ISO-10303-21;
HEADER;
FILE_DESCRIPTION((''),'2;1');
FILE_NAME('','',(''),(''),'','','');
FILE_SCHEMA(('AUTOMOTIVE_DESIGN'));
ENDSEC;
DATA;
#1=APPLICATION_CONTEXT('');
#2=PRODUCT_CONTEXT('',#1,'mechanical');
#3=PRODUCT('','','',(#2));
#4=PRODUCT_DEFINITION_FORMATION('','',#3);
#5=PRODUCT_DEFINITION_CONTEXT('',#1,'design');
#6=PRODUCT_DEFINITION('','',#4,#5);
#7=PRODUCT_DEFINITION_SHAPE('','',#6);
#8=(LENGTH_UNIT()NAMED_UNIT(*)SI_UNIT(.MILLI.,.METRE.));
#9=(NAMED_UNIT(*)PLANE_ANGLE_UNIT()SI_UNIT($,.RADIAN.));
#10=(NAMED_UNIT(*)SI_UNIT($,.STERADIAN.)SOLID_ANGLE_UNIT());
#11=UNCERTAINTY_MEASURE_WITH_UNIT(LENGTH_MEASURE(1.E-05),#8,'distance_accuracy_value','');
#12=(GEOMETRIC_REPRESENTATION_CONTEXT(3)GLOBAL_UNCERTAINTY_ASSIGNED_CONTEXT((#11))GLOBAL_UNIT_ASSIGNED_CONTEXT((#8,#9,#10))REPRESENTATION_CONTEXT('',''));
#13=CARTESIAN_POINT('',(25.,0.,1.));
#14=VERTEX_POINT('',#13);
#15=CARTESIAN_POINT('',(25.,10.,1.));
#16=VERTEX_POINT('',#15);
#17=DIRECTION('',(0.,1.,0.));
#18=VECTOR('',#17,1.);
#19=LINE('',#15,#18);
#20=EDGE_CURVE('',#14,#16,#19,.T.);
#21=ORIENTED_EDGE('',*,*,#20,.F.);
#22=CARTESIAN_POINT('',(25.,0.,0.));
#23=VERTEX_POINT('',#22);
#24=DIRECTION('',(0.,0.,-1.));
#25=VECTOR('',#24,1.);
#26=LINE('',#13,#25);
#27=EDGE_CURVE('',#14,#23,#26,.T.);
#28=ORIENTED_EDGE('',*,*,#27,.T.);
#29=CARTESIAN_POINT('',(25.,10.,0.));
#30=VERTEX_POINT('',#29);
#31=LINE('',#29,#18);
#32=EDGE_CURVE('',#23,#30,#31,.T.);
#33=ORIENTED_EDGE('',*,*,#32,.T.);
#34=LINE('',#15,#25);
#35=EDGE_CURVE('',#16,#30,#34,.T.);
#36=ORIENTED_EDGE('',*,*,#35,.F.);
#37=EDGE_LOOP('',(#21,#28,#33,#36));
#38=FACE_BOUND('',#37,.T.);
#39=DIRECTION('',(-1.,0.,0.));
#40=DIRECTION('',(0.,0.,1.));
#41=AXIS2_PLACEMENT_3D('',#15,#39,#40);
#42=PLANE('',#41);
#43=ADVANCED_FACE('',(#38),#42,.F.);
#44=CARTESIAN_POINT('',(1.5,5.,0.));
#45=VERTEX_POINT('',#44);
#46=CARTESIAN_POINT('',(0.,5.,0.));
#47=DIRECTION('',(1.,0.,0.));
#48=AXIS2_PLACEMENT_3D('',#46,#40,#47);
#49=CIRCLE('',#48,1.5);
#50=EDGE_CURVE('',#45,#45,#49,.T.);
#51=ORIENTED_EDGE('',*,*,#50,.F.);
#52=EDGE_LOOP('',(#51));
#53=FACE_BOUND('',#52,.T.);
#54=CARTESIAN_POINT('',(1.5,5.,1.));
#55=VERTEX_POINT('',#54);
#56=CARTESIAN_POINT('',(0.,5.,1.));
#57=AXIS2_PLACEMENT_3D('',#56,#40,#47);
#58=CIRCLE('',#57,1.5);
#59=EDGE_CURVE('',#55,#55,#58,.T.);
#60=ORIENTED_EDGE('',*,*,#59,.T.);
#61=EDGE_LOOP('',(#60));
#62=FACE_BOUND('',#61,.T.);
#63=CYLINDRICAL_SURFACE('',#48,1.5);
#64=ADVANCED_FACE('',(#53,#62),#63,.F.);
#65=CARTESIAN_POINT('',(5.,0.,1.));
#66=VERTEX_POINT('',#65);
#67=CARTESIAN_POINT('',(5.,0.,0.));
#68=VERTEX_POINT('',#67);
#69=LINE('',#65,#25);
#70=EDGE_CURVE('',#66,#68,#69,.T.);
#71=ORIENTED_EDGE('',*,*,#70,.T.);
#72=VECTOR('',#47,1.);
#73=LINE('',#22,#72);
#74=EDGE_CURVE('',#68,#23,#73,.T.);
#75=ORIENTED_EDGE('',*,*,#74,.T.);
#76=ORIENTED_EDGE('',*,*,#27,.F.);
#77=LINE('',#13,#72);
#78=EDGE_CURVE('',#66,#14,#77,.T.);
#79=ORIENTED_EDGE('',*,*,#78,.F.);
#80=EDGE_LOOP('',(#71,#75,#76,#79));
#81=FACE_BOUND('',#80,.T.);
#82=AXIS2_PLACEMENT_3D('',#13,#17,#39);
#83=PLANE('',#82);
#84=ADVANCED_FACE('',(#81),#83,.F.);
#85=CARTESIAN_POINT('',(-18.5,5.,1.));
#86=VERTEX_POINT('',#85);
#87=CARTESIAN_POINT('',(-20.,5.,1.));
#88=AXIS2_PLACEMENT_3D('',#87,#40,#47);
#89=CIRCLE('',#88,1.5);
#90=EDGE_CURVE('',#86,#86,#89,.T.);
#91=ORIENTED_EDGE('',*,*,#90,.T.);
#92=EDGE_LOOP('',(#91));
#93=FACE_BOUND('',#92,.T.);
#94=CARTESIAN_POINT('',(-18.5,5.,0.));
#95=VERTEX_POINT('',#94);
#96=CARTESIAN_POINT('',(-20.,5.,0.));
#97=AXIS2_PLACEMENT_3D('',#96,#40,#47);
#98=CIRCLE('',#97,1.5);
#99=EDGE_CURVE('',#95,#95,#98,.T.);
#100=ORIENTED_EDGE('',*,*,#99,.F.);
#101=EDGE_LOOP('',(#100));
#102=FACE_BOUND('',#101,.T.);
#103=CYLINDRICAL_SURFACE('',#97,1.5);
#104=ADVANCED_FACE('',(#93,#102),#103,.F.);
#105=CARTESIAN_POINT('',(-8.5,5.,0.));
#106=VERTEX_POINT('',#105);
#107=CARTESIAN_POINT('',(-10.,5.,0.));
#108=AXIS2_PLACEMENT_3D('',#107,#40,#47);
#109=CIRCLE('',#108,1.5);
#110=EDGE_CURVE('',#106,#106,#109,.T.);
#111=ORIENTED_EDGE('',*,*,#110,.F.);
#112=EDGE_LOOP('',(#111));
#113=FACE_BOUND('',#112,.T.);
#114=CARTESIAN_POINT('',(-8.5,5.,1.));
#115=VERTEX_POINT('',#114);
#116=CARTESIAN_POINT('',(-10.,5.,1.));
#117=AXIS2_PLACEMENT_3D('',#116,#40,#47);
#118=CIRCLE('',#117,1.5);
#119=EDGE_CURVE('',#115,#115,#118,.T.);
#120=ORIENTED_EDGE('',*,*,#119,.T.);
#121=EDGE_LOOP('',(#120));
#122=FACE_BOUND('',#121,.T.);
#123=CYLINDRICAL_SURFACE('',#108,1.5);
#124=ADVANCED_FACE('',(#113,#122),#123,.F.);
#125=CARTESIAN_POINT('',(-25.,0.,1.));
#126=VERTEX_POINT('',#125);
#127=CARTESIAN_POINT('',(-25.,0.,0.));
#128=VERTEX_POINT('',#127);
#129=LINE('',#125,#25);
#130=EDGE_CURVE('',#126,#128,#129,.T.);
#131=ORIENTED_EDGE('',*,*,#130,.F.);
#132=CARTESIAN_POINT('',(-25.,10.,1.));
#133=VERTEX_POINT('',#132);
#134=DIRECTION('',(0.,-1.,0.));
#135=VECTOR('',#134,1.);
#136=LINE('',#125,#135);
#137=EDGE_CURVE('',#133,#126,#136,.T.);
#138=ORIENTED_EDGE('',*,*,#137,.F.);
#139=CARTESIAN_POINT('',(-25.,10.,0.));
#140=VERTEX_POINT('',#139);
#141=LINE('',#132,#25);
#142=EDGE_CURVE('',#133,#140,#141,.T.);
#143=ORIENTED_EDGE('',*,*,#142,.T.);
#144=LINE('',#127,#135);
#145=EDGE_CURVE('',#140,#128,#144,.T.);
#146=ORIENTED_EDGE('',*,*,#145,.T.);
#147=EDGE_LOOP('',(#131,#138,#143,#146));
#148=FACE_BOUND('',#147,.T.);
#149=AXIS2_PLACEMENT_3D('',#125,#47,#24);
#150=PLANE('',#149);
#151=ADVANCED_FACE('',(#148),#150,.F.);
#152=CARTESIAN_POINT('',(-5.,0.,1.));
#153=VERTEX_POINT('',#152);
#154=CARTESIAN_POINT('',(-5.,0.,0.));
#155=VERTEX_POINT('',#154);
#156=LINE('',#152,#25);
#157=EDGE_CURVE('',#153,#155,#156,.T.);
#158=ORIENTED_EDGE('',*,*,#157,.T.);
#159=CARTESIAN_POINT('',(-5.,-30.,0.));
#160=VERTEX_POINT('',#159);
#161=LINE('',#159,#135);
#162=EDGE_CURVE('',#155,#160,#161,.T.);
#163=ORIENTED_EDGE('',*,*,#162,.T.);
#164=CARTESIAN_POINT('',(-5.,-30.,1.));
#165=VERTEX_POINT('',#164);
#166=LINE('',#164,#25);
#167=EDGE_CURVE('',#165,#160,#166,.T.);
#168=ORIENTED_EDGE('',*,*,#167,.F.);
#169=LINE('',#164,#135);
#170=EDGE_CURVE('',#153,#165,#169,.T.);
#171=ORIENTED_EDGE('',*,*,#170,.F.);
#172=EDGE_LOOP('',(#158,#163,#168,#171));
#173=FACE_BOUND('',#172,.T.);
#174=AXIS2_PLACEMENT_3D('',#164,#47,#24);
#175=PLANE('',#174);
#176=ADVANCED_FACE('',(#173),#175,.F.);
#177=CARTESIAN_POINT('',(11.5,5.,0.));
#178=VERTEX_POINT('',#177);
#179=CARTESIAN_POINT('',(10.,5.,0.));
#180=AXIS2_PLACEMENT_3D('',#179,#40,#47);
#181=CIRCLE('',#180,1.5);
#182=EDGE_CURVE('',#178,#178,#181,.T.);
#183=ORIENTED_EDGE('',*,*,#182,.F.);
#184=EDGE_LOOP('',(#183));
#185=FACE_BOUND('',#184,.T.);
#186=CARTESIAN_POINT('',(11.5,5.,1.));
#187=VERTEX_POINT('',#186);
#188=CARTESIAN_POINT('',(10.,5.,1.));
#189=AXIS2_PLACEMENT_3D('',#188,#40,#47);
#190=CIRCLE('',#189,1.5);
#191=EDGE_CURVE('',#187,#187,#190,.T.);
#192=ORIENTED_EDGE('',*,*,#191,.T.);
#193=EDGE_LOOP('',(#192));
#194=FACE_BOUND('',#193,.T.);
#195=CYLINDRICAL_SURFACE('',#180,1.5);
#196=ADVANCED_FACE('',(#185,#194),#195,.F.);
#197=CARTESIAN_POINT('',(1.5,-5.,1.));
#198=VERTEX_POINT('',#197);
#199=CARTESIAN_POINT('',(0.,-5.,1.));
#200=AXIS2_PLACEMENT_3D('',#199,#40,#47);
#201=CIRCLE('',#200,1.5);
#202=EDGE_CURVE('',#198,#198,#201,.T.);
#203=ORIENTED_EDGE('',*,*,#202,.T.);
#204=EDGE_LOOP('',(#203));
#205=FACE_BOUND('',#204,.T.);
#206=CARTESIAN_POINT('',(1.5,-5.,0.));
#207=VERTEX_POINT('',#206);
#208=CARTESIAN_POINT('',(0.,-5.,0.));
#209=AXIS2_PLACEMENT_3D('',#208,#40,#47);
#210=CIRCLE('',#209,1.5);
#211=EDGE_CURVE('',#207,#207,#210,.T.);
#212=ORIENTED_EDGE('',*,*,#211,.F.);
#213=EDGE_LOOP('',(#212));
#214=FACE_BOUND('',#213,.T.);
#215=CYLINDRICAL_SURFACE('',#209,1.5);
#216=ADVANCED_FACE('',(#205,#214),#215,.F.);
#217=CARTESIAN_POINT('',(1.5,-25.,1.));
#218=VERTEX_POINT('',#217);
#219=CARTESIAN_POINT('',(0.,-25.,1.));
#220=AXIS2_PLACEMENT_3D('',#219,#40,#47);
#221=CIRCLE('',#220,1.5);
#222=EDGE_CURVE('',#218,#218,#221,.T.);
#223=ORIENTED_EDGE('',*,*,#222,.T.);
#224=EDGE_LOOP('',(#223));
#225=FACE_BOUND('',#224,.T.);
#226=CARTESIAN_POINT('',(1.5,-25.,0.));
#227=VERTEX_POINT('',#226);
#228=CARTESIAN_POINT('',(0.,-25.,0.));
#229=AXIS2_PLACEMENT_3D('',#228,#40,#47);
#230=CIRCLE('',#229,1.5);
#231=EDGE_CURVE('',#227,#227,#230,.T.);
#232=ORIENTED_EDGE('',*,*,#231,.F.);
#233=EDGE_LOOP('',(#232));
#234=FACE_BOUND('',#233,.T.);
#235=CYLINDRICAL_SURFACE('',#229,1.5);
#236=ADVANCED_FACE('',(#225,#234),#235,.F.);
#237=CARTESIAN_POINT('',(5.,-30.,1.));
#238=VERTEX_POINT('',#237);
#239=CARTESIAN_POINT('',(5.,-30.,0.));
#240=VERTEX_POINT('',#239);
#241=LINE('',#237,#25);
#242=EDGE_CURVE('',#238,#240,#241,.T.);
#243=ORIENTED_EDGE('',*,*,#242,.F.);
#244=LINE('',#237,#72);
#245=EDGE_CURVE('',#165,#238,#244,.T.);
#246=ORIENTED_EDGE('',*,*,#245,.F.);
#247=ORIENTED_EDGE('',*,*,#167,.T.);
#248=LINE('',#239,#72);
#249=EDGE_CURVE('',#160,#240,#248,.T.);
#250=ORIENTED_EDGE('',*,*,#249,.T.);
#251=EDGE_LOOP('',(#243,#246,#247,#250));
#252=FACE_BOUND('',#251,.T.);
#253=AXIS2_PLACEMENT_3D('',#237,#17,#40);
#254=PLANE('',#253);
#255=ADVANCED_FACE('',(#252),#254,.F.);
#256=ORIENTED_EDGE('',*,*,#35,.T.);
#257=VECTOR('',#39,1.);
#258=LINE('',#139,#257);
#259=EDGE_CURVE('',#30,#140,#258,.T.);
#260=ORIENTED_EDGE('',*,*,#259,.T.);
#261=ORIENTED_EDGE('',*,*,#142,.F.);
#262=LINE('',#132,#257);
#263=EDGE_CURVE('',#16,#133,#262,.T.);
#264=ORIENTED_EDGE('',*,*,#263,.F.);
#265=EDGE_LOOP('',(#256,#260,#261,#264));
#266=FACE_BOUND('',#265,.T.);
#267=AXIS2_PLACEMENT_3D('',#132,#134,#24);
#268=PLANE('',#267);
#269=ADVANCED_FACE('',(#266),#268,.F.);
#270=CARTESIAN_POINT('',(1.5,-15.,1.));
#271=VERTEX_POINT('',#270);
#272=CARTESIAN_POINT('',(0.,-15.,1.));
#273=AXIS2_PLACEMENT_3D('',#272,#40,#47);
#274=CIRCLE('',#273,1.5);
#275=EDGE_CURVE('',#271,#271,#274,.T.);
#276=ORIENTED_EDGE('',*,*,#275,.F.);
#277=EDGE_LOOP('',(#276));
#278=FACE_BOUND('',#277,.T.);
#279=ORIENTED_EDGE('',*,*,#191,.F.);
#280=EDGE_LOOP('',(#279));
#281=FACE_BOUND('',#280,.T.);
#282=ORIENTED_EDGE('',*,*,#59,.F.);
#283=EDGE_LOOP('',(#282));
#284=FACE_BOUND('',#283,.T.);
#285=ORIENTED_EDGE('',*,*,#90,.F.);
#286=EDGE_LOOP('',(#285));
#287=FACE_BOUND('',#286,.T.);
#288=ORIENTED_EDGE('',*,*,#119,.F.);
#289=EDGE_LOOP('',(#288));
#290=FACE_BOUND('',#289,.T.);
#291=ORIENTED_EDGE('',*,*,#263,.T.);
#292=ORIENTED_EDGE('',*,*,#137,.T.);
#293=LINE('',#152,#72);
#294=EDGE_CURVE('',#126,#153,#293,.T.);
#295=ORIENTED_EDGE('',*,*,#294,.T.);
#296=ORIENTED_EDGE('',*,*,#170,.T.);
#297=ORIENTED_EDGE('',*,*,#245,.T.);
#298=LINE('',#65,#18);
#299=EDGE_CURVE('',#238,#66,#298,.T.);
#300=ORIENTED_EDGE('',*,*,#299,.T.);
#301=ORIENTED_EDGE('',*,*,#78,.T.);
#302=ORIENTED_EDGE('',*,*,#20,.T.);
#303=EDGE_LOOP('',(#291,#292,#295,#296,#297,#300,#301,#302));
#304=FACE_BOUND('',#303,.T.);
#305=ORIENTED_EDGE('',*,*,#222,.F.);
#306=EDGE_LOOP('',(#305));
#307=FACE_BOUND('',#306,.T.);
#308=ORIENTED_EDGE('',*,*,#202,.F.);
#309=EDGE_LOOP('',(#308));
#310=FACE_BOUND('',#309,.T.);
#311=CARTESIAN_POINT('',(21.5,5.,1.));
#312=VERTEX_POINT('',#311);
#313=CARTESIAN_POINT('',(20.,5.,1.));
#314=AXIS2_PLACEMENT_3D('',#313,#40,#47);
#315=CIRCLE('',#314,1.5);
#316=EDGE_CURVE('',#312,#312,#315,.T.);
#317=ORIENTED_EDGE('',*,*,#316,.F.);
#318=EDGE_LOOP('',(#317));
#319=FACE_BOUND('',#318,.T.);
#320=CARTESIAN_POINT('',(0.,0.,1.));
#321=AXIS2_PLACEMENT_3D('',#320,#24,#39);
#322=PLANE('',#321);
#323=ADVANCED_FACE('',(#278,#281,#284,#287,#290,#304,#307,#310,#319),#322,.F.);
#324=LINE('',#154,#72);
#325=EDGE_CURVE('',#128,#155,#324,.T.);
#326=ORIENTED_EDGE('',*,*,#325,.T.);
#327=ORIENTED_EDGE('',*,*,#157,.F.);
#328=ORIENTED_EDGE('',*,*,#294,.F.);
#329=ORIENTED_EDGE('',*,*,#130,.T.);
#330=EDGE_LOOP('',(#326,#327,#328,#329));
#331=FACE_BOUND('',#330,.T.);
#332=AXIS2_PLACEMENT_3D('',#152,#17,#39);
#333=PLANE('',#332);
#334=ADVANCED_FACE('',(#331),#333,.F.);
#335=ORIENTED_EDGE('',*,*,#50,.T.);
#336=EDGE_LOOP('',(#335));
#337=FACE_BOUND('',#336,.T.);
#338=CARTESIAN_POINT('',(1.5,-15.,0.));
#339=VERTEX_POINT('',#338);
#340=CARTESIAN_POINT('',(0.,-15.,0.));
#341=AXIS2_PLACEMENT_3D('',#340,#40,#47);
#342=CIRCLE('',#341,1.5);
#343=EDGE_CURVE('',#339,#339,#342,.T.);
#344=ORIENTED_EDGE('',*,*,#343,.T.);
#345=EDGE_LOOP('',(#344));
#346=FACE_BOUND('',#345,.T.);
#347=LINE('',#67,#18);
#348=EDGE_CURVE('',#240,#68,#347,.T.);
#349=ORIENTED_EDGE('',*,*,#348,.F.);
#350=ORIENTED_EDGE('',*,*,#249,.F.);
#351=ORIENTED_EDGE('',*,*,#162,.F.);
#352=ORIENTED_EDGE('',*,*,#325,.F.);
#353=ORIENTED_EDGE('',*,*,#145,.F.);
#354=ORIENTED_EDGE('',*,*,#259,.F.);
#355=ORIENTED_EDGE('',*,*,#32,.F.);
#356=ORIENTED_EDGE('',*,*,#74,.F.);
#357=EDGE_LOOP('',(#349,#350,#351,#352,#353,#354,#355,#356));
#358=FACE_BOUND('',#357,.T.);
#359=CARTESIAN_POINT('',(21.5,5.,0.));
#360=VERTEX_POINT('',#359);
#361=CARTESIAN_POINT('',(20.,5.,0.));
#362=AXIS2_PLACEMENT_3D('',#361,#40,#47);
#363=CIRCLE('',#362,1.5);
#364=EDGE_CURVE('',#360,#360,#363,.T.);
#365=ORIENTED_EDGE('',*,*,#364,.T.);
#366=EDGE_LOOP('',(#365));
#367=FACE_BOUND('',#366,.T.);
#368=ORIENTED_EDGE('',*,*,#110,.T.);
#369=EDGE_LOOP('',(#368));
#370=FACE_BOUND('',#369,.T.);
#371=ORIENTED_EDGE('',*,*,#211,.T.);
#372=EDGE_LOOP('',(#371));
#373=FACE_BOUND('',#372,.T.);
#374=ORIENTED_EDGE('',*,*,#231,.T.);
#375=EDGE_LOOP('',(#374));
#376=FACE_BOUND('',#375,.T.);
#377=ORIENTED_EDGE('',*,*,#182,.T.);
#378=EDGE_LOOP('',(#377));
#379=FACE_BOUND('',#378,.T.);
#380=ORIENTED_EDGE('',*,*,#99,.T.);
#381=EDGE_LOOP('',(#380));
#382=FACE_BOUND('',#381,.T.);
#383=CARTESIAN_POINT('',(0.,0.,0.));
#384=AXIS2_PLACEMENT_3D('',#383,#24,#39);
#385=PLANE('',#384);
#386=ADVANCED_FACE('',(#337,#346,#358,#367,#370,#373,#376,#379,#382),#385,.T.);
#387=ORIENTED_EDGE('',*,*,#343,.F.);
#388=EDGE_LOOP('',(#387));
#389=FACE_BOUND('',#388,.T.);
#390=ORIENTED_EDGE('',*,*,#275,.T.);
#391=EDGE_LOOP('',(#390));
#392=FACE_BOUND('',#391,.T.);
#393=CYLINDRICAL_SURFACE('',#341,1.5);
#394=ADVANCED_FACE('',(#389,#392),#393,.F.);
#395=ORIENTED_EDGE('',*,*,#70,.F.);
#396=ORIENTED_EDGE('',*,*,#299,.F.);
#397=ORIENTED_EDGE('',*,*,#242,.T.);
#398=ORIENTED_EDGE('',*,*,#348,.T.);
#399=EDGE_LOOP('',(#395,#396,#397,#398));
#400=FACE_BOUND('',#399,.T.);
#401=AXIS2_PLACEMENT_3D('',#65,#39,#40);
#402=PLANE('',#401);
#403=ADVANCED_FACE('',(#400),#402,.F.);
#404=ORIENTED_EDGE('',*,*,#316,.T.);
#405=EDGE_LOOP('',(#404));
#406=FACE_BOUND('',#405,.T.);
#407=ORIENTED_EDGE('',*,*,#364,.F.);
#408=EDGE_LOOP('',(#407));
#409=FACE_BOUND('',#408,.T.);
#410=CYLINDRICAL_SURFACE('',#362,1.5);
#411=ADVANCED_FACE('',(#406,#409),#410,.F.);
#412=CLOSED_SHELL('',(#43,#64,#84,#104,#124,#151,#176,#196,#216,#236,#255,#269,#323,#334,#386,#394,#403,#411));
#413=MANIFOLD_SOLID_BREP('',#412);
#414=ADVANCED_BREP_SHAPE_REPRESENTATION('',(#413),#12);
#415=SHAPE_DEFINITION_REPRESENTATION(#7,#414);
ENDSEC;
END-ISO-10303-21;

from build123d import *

# Parameters (mm, degrees)
BOSS_EXTRU_1_DEPTH         = 1
ESQUISSE2_R                = 1.5
ENL_V_MAT_EXTRU_1_DEPTH    = 2
R_P_TITION_LIN_AIRE1_COUNT = 3
R_P_TITION_LIN_AIRE1_PITCH = 10
R_P_TITION_LIN_AIRE2_COUNT = 3
R_P_TITION_LIN_AIRE2_PITCH = 10
R_P_TITION_LIN_AIRE3_COUNT = 4
R_P_TITION_LIN_AIRE3_PITCH = 10


with BuildPart() as part:
    # Esquisse1 → Boss.-Extru.1 (new body)
    with BuildSketch(Plane.XY):
        Polygon((-25, 10), (25, 10), (25, 0), (5, 0), (5, -30), (-5, -30), (-5, 0), (-25, 0), align=None)
    extrude(amount=BOSS_EXTRU_1_DEPTH)

    # Esquisse2 → Enlèv. mat.-Extru.1 (cut, through all)
    with BuildSketch(Plane.XY.offset(1)):
        with Locations((0, 5)):
            Circle(ESQUISSE2_R)
    enl_v_mat_extru_1 = extrude(amount=-ENL_V_MAT_EXTRU_1_DEPTH, mode=Mode.SUBTRACT)

    # Répétition linéaire1: Enlèv. mat.-Extru.1 ×3
    with Locations(*[(-i * R_P_TITION_LIN_AIRE1_PITCH, 0, 0) for i in range(1, R_P_TITION_LIN_AIRE1_COUNT)]):
        add(enl_v_mat_extru_1, mode=Mode.SUBTRACT)

    # Répétition linéaire2: Enlèv. mat.-Extru.1 ×3
    with Locations(*[(i * R_P_TITION_LIN_AIRE2_PITCH, 0, 0) for i in range(1, R_P_TITION_LIN_AIRE2_COUNT)]):
        add(enl_v_mat_extru_1, mode=Mode.SUBTRACT)

    # Répétition linéaire3: Enlèv. mat.-Extru.1 ×4
    with Locations(*[(0, -i * R_P_TITION_LIN_AIRE3_PITCH, 0) for i in range(1, R_P_TITION_LIN_AIRE3_COUNT)]):
        add(enl_v_mat_extru_1, mode=Mode.SUBTRACT)


solid = part.part
